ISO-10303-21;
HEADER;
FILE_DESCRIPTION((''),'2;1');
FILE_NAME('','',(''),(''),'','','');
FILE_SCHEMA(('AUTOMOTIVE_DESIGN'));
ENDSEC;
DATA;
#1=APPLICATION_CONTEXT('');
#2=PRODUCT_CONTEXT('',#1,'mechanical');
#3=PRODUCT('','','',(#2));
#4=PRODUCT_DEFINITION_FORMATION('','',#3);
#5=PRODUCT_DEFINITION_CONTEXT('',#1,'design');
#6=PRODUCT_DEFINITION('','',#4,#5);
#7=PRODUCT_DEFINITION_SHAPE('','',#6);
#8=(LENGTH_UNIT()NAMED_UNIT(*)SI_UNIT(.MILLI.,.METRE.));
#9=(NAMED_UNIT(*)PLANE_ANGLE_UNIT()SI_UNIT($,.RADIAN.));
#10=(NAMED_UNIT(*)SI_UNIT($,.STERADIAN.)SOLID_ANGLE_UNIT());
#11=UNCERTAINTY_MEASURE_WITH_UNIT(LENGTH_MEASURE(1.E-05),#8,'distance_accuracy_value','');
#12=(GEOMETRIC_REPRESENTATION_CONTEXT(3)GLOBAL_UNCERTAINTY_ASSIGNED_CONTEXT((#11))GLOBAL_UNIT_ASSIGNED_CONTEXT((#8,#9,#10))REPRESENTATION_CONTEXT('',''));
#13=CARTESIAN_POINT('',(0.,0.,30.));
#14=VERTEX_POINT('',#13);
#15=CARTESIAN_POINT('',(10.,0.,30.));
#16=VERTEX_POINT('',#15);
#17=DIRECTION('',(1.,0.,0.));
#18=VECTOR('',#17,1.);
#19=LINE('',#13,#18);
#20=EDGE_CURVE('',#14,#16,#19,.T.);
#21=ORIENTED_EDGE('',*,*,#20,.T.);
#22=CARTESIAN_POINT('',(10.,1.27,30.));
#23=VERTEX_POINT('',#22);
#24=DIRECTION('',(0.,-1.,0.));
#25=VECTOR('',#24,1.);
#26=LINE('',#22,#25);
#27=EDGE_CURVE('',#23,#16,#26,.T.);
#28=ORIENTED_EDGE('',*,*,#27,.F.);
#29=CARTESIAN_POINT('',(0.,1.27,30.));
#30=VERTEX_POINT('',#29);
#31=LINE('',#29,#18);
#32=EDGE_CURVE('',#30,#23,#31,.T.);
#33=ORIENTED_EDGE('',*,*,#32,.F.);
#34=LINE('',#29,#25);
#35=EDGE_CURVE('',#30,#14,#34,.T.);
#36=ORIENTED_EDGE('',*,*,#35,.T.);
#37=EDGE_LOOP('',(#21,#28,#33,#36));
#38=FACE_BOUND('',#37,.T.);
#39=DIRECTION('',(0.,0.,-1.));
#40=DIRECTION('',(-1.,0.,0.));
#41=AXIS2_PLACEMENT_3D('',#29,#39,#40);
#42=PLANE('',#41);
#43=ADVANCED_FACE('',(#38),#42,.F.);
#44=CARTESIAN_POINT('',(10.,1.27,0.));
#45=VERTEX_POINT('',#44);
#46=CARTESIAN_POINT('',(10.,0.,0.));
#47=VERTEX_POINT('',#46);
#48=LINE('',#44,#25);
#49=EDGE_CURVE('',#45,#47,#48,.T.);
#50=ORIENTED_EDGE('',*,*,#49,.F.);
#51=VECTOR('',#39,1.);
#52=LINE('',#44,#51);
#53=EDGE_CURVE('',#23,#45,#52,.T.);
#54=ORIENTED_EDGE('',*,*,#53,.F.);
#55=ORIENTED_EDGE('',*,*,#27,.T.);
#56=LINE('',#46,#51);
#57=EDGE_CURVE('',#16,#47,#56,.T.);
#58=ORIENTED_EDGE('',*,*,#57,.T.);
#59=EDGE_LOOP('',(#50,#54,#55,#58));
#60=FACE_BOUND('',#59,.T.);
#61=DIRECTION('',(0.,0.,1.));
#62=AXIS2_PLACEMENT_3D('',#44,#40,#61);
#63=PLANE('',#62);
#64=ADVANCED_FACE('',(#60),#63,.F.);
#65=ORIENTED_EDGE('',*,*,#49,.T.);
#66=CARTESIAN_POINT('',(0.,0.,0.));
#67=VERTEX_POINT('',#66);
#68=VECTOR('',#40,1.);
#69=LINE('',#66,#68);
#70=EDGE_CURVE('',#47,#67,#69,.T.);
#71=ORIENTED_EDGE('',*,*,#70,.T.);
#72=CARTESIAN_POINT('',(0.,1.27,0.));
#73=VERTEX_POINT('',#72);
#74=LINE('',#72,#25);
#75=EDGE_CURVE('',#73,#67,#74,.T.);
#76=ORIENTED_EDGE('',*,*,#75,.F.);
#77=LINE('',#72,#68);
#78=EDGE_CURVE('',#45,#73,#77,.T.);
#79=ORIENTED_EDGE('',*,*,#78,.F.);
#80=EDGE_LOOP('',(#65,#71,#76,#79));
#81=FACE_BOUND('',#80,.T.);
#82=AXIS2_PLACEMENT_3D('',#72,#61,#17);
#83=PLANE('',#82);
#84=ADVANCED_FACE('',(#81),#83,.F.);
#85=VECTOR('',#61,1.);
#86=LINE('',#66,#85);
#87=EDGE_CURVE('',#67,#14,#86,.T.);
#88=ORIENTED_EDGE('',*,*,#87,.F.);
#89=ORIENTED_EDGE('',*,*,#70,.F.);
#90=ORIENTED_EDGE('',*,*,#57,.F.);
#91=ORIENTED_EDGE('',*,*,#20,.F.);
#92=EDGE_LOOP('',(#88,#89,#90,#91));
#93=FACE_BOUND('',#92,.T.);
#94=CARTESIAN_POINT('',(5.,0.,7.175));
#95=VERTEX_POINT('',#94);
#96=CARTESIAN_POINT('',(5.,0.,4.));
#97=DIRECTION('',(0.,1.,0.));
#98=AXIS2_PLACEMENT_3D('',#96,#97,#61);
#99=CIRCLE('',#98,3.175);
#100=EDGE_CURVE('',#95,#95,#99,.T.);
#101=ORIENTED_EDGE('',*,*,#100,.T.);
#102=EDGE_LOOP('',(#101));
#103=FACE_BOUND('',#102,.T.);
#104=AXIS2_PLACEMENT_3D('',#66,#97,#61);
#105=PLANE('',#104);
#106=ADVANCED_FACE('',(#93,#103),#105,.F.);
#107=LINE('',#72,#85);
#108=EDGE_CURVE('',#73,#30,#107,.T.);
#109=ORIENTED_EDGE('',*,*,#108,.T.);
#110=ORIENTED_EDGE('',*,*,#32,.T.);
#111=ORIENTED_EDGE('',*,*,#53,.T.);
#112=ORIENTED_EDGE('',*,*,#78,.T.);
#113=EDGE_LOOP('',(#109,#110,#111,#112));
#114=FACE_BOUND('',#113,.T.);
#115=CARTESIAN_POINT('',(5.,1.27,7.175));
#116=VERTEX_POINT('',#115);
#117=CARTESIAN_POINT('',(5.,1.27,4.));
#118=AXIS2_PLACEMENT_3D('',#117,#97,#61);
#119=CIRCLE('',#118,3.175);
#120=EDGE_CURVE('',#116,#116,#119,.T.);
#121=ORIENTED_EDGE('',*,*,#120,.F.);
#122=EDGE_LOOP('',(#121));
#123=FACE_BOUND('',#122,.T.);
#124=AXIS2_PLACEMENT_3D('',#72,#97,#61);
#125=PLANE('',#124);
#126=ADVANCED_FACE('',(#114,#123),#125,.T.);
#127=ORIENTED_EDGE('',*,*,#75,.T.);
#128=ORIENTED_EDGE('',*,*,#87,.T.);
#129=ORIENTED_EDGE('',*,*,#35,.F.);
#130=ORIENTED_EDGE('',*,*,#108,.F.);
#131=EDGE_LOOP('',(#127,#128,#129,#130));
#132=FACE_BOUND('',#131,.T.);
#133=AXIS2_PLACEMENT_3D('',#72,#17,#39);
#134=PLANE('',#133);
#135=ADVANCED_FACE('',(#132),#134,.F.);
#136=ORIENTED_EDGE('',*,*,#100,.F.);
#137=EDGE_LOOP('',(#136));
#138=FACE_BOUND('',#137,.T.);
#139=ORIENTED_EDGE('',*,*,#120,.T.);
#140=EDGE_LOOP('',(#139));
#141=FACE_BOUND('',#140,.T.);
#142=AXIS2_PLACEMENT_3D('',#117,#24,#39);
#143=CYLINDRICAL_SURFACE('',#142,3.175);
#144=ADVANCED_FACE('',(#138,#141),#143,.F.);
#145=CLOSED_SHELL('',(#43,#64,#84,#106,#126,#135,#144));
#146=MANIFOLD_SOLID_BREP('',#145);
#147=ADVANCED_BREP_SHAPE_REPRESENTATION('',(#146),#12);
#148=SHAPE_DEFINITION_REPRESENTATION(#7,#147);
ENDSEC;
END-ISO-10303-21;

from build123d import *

# Parameters (mm, degrees)
SKETCH1_W           = 10
SKETCH1_H           = 30
SKETCH1_R           = 3.175
BOSS_EXTRUDE1_DEPTH = 1.27


with BuildPart() as part:
    # Sketch1 → Boss-Extrude1 (new body)
    with BuildSketch(Plane(origin=(0, 0, 0), x_dir=(1, 0, 0), z_dir=(0, 1, 0))):
        with Locations((5, -15)):
            Rectangle(SKETCH1_W, SKETCH1_H)
        with Locations((5, -4)):
            Circle(SKETCH1_R, mode=Mode.SUBTRACT)
    extrude(amount=BOSS_EXTRUDE1_DEPTH)


solid = part.part
